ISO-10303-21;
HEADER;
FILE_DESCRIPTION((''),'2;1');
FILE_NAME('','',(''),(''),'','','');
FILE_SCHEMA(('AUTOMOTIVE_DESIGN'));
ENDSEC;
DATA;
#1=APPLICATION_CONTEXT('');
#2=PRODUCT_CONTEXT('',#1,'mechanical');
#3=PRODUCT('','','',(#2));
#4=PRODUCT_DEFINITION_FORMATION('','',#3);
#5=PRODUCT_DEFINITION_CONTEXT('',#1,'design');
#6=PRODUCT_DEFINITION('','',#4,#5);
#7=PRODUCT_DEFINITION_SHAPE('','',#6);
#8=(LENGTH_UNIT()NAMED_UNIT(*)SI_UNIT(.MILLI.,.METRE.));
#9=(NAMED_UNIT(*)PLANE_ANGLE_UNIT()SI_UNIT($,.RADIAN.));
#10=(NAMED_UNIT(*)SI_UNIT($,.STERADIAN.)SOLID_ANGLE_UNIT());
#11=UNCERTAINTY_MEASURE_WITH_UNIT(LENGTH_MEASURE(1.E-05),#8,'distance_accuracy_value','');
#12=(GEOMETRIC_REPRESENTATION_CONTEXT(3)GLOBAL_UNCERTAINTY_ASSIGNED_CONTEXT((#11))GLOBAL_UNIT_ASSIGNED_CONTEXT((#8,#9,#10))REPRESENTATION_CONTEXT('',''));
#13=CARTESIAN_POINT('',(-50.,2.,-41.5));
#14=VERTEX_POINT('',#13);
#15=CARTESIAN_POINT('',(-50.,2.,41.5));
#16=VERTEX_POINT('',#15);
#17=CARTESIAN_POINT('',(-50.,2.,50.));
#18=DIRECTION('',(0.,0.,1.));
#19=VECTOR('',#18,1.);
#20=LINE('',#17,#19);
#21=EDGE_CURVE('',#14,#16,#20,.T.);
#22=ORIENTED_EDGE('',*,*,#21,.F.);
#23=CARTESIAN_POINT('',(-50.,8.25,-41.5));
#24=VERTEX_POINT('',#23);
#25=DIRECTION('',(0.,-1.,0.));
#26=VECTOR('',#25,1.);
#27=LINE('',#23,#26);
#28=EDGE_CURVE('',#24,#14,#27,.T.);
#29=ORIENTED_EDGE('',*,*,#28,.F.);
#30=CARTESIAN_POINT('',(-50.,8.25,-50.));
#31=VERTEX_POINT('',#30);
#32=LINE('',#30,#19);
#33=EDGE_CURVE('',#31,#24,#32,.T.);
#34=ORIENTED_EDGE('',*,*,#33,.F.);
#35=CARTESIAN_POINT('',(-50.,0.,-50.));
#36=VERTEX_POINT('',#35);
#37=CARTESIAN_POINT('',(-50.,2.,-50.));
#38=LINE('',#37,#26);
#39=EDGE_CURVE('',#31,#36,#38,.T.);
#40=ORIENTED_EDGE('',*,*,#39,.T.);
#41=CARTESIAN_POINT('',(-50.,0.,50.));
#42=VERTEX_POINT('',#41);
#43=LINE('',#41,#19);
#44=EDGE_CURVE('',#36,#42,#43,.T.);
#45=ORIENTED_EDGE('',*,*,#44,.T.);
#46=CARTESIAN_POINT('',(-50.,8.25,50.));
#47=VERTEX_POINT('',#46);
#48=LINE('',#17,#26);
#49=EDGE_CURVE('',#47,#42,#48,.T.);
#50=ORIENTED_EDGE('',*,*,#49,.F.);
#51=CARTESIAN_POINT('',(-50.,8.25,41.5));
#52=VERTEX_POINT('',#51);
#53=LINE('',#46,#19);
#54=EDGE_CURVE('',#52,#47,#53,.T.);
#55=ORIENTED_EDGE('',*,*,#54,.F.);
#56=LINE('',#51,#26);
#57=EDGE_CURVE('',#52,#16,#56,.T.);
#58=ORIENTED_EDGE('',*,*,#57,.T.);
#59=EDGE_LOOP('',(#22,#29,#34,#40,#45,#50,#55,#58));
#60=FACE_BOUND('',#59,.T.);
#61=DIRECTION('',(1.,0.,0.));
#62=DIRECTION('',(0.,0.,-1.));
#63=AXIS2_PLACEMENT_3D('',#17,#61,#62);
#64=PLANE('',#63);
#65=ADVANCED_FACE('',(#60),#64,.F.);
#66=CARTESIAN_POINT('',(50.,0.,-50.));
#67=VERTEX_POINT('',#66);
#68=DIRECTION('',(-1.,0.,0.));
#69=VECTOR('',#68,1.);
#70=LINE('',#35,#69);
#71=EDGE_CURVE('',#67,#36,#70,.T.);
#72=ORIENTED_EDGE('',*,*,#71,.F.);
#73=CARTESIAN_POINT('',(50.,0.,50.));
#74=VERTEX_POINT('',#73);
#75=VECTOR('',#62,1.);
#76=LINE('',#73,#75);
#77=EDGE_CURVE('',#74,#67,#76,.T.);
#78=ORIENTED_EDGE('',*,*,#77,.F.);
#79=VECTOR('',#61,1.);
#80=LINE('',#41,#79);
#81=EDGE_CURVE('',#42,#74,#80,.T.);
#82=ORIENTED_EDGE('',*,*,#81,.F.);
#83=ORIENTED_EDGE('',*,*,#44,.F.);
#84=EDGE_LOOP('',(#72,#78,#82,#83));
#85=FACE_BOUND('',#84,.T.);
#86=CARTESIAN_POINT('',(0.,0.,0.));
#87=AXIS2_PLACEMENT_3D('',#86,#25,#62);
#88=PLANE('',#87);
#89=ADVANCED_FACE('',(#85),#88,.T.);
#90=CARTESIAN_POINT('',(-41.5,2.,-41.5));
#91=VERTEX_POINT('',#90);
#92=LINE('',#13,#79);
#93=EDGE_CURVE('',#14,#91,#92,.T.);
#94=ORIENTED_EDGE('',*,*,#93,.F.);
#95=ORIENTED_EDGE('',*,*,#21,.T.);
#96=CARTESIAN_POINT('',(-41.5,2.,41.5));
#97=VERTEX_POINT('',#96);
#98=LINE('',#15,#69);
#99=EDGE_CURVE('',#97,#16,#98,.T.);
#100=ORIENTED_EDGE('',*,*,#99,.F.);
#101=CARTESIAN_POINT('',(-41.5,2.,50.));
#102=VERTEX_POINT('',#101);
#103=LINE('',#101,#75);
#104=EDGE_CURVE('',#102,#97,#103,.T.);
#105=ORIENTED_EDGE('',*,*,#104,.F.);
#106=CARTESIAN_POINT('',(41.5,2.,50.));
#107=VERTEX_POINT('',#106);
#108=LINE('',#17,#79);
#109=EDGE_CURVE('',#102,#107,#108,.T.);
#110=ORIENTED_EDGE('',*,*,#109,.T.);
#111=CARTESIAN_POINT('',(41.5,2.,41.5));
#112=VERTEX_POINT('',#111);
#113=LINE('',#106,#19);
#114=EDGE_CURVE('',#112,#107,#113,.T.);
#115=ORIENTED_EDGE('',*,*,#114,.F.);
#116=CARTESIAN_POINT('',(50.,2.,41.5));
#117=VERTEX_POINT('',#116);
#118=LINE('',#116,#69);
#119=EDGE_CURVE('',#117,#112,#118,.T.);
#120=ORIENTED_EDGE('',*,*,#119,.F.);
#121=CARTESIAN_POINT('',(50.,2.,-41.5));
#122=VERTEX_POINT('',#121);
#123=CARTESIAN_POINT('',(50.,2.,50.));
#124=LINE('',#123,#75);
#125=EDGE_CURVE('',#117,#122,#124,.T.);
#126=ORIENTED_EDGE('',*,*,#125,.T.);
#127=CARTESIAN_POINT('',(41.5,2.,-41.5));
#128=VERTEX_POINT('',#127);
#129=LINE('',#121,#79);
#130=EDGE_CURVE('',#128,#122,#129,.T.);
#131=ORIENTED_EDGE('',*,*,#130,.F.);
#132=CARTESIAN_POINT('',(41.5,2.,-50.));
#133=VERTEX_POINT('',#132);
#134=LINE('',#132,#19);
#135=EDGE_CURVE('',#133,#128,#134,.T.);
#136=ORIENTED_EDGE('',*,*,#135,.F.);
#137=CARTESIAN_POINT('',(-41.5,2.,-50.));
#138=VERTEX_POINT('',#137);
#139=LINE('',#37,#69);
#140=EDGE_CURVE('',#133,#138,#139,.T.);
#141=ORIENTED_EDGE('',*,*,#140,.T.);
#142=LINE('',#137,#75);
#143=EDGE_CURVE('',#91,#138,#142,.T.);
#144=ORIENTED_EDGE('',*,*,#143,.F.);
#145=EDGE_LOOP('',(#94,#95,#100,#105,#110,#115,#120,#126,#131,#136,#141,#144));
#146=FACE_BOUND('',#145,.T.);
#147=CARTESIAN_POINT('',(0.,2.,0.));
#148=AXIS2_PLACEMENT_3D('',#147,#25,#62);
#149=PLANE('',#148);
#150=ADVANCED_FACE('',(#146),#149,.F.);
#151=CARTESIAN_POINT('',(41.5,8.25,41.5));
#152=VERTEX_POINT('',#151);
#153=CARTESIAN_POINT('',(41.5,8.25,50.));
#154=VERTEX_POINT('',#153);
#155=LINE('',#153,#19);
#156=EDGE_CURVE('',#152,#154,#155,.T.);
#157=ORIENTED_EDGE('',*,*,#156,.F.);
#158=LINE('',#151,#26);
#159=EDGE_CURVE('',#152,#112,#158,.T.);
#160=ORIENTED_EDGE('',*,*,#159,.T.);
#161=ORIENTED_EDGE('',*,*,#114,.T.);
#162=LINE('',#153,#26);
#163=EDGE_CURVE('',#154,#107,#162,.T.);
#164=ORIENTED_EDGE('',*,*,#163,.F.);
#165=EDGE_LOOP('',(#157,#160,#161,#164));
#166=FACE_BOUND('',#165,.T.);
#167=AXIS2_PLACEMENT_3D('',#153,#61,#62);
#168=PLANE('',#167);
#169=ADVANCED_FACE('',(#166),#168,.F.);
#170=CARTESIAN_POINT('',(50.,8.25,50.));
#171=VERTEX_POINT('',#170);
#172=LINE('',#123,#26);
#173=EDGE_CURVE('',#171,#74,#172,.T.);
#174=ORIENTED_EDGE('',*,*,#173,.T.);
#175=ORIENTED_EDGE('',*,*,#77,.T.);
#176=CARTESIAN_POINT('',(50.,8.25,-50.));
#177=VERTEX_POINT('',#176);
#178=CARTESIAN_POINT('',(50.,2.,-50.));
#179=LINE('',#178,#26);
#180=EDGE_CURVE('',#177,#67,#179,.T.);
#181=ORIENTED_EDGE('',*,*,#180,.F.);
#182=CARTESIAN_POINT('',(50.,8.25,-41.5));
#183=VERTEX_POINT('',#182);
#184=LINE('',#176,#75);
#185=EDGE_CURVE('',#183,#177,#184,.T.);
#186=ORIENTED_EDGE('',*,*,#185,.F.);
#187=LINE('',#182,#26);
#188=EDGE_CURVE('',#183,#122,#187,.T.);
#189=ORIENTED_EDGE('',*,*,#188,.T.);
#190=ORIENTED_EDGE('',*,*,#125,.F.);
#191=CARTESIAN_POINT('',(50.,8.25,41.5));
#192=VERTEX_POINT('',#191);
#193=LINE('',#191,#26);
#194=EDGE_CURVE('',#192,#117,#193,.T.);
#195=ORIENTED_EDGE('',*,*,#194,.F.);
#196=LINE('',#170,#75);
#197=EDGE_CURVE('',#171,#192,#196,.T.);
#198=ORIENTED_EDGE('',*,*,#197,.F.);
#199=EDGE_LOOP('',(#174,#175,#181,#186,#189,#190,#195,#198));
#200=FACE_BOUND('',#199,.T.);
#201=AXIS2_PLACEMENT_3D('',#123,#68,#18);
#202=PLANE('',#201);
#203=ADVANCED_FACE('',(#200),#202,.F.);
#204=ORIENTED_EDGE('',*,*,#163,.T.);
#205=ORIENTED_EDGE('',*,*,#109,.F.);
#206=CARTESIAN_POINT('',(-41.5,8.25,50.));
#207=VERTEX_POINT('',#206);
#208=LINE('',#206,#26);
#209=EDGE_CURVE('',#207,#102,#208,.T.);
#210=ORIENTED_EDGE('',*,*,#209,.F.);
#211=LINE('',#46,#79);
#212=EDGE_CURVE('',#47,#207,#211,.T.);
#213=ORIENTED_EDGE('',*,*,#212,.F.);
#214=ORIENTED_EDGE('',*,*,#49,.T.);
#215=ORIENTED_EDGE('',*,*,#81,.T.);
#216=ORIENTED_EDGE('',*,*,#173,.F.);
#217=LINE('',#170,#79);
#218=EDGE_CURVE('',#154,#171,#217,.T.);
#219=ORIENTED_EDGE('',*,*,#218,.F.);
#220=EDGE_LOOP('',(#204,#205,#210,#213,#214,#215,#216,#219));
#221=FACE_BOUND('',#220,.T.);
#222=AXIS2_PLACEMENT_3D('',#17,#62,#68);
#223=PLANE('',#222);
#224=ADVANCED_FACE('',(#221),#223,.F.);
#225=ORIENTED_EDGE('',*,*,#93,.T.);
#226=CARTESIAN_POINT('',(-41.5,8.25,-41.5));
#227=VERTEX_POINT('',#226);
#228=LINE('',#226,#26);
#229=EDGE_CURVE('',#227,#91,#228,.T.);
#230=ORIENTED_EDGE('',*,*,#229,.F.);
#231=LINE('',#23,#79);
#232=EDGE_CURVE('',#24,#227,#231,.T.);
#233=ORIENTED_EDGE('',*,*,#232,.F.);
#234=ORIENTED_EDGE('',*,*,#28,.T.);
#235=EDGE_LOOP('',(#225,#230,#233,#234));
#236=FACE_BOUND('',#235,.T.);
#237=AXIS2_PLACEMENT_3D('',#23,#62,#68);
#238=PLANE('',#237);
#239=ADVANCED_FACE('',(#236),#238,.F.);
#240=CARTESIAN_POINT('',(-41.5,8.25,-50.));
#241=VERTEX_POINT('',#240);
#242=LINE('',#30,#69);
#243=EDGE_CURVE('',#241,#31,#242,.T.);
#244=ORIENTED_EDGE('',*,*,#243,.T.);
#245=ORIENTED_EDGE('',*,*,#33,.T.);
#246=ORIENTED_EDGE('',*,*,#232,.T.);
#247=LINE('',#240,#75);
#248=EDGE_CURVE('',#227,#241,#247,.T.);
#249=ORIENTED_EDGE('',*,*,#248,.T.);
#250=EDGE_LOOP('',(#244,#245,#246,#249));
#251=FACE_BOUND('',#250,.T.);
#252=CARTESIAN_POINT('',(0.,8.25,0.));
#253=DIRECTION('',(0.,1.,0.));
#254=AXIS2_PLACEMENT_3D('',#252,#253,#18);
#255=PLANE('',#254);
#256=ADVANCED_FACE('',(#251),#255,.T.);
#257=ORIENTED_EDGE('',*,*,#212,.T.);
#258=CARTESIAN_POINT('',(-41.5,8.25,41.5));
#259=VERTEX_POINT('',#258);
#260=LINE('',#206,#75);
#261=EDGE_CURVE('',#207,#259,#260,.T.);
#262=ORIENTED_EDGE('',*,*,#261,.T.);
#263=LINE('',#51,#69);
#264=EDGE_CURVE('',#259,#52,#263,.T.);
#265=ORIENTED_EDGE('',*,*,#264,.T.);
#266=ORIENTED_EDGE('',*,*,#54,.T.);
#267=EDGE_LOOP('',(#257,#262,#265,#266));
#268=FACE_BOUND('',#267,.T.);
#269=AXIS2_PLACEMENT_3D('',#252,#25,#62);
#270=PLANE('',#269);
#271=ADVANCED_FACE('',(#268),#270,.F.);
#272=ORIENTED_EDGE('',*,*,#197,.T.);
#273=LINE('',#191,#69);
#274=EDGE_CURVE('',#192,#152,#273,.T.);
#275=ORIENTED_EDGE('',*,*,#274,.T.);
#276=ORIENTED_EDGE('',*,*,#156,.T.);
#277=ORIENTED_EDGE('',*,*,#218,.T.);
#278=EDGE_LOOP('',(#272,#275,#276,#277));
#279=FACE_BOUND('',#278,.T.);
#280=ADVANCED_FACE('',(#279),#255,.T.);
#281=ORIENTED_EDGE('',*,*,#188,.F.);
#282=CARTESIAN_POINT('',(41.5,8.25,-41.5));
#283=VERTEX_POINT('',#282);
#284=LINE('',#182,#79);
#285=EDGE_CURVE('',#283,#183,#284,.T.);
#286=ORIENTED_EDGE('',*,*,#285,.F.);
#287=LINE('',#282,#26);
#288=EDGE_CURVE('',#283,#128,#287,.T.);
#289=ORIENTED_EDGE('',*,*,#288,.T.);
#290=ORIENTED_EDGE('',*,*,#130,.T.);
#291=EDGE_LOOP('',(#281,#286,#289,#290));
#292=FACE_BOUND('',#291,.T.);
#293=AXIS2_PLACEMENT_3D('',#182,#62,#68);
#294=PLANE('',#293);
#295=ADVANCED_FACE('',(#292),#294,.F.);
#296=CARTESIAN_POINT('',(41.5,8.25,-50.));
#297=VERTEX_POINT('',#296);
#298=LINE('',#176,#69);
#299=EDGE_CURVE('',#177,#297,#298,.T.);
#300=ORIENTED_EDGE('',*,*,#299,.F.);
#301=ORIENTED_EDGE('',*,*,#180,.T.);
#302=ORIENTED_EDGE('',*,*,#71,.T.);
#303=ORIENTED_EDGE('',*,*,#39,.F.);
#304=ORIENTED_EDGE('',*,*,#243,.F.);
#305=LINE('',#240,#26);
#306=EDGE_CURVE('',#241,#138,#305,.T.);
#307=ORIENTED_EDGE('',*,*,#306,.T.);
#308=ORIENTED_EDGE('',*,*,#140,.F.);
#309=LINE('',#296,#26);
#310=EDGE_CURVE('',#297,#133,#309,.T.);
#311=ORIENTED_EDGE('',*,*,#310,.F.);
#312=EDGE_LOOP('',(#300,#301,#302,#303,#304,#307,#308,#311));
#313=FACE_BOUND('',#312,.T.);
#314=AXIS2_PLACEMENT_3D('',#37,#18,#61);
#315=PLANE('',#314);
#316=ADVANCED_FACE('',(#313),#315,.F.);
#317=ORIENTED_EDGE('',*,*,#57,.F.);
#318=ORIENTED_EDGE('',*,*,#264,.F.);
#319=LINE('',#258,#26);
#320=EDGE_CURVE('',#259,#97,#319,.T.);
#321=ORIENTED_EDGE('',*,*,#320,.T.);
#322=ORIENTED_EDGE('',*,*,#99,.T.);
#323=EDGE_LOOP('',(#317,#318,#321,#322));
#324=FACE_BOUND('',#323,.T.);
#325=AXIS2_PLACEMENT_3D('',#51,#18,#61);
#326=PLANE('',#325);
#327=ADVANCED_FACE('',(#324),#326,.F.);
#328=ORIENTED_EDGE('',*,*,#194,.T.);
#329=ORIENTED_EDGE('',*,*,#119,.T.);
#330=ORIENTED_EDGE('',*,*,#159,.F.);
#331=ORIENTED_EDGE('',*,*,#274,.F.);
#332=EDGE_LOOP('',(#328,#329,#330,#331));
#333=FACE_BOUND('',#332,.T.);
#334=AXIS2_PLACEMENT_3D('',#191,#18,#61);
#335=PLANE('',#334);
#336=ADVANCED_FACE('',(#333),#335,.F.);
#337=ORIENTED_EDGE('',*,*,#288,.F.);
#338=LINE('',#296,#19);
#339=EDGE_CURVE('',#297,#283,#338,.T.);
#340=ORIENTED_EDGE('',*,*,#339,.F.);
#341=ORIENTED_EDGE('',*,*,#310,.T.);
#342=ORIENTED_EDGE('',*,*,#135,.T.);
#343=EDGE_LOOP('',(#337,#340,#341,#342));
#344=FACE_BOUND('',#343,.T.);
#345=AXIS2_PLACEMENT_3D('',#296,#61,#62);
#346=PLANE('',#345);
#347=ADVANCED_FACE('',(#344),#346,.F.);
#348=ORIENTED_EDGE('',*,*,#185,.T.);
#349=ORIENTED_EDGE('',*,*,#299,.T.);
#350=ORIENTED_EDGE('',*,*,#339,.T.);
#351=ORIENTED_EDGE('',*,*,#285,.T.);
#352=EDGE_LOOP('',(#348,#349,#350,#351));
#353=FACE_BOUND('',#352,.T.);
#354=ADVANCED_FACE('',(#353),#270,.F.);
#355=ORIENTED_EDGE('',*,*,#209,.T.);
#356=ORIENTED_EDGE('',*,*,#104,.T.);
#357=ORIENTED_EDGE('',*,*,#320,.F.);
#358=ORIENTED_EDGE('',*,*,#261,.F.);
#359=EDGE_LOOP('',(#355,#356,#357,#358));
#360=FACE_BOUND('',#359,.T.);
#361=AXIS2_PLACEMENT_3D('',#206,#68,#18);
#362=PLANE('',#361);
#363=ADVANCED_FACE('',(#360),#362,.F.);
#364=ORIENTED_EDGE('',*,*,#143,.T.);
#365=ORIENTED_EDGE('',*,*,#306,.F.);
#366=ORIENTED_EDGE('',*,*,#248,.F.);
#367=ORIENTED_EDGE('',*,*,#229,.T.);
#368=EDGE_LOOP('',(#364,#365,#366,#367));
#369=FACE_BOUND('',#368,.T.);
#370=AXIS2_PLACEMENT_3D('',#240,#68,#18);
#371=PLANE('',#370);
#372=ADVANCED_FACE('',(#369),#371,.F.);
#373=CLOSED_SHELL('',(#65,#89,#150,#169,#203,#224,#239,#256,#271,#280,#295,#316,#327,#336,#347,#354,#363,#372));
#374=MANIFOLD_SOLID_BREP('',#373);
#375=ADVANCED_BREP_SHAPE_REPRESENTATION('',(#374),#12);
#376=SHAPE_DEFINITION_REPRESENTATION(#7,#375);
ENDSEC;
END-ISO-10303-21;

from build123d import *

# Parameters (mm, degrees)
SKETCH1_W           = 100
SKETCH1_H           = 100
BOSS_EXTRUDE2_DEPTH = 2
SKETCH3_W           = 8.5
SKETCH3_H           = 8.5
BOSS_EXTRUDE4_DEPTH = 6.25


with BuildPart() as part:
    # Sketch1 → Boss-Extrude2 (new body)
    with BuildSketch(Plane(origin=(0, 0, 0), x_dir=(1, 0, 0), z_dir=(0, 1, 0))):
        Rectangle(SKETCH1_W, SKETCH1_H)
    extrude(amount=BOSS_EXTRUDE2_DEPTH)

    # Sketch3 → Boss-Extrude4 (add)
    with BuildSketch(Plane(origin=(0, 2, 0), x_dir=(1, 0, 0), z_dir=(0, 1, 0))):
        with Locations((45.75, -45.75)):
            Rectangle(SKETCH3_W, SKETCH3_H)
        with Locations((-45.75, -45.75)):
            Rectangle(SKETCH3_W, SKETCH3_H)
        with Locations((45.75, 45.75)):
            Rectangle(SKETCH3_W, SKETCH3_H)
        with Locations((-45.75, 45.75)):
            Rectangle(SKETCH3_W, SKETCH3_H)
    extrude(amount=BOSS_EXTRUDE4_DEPTH)


solid = part.part
